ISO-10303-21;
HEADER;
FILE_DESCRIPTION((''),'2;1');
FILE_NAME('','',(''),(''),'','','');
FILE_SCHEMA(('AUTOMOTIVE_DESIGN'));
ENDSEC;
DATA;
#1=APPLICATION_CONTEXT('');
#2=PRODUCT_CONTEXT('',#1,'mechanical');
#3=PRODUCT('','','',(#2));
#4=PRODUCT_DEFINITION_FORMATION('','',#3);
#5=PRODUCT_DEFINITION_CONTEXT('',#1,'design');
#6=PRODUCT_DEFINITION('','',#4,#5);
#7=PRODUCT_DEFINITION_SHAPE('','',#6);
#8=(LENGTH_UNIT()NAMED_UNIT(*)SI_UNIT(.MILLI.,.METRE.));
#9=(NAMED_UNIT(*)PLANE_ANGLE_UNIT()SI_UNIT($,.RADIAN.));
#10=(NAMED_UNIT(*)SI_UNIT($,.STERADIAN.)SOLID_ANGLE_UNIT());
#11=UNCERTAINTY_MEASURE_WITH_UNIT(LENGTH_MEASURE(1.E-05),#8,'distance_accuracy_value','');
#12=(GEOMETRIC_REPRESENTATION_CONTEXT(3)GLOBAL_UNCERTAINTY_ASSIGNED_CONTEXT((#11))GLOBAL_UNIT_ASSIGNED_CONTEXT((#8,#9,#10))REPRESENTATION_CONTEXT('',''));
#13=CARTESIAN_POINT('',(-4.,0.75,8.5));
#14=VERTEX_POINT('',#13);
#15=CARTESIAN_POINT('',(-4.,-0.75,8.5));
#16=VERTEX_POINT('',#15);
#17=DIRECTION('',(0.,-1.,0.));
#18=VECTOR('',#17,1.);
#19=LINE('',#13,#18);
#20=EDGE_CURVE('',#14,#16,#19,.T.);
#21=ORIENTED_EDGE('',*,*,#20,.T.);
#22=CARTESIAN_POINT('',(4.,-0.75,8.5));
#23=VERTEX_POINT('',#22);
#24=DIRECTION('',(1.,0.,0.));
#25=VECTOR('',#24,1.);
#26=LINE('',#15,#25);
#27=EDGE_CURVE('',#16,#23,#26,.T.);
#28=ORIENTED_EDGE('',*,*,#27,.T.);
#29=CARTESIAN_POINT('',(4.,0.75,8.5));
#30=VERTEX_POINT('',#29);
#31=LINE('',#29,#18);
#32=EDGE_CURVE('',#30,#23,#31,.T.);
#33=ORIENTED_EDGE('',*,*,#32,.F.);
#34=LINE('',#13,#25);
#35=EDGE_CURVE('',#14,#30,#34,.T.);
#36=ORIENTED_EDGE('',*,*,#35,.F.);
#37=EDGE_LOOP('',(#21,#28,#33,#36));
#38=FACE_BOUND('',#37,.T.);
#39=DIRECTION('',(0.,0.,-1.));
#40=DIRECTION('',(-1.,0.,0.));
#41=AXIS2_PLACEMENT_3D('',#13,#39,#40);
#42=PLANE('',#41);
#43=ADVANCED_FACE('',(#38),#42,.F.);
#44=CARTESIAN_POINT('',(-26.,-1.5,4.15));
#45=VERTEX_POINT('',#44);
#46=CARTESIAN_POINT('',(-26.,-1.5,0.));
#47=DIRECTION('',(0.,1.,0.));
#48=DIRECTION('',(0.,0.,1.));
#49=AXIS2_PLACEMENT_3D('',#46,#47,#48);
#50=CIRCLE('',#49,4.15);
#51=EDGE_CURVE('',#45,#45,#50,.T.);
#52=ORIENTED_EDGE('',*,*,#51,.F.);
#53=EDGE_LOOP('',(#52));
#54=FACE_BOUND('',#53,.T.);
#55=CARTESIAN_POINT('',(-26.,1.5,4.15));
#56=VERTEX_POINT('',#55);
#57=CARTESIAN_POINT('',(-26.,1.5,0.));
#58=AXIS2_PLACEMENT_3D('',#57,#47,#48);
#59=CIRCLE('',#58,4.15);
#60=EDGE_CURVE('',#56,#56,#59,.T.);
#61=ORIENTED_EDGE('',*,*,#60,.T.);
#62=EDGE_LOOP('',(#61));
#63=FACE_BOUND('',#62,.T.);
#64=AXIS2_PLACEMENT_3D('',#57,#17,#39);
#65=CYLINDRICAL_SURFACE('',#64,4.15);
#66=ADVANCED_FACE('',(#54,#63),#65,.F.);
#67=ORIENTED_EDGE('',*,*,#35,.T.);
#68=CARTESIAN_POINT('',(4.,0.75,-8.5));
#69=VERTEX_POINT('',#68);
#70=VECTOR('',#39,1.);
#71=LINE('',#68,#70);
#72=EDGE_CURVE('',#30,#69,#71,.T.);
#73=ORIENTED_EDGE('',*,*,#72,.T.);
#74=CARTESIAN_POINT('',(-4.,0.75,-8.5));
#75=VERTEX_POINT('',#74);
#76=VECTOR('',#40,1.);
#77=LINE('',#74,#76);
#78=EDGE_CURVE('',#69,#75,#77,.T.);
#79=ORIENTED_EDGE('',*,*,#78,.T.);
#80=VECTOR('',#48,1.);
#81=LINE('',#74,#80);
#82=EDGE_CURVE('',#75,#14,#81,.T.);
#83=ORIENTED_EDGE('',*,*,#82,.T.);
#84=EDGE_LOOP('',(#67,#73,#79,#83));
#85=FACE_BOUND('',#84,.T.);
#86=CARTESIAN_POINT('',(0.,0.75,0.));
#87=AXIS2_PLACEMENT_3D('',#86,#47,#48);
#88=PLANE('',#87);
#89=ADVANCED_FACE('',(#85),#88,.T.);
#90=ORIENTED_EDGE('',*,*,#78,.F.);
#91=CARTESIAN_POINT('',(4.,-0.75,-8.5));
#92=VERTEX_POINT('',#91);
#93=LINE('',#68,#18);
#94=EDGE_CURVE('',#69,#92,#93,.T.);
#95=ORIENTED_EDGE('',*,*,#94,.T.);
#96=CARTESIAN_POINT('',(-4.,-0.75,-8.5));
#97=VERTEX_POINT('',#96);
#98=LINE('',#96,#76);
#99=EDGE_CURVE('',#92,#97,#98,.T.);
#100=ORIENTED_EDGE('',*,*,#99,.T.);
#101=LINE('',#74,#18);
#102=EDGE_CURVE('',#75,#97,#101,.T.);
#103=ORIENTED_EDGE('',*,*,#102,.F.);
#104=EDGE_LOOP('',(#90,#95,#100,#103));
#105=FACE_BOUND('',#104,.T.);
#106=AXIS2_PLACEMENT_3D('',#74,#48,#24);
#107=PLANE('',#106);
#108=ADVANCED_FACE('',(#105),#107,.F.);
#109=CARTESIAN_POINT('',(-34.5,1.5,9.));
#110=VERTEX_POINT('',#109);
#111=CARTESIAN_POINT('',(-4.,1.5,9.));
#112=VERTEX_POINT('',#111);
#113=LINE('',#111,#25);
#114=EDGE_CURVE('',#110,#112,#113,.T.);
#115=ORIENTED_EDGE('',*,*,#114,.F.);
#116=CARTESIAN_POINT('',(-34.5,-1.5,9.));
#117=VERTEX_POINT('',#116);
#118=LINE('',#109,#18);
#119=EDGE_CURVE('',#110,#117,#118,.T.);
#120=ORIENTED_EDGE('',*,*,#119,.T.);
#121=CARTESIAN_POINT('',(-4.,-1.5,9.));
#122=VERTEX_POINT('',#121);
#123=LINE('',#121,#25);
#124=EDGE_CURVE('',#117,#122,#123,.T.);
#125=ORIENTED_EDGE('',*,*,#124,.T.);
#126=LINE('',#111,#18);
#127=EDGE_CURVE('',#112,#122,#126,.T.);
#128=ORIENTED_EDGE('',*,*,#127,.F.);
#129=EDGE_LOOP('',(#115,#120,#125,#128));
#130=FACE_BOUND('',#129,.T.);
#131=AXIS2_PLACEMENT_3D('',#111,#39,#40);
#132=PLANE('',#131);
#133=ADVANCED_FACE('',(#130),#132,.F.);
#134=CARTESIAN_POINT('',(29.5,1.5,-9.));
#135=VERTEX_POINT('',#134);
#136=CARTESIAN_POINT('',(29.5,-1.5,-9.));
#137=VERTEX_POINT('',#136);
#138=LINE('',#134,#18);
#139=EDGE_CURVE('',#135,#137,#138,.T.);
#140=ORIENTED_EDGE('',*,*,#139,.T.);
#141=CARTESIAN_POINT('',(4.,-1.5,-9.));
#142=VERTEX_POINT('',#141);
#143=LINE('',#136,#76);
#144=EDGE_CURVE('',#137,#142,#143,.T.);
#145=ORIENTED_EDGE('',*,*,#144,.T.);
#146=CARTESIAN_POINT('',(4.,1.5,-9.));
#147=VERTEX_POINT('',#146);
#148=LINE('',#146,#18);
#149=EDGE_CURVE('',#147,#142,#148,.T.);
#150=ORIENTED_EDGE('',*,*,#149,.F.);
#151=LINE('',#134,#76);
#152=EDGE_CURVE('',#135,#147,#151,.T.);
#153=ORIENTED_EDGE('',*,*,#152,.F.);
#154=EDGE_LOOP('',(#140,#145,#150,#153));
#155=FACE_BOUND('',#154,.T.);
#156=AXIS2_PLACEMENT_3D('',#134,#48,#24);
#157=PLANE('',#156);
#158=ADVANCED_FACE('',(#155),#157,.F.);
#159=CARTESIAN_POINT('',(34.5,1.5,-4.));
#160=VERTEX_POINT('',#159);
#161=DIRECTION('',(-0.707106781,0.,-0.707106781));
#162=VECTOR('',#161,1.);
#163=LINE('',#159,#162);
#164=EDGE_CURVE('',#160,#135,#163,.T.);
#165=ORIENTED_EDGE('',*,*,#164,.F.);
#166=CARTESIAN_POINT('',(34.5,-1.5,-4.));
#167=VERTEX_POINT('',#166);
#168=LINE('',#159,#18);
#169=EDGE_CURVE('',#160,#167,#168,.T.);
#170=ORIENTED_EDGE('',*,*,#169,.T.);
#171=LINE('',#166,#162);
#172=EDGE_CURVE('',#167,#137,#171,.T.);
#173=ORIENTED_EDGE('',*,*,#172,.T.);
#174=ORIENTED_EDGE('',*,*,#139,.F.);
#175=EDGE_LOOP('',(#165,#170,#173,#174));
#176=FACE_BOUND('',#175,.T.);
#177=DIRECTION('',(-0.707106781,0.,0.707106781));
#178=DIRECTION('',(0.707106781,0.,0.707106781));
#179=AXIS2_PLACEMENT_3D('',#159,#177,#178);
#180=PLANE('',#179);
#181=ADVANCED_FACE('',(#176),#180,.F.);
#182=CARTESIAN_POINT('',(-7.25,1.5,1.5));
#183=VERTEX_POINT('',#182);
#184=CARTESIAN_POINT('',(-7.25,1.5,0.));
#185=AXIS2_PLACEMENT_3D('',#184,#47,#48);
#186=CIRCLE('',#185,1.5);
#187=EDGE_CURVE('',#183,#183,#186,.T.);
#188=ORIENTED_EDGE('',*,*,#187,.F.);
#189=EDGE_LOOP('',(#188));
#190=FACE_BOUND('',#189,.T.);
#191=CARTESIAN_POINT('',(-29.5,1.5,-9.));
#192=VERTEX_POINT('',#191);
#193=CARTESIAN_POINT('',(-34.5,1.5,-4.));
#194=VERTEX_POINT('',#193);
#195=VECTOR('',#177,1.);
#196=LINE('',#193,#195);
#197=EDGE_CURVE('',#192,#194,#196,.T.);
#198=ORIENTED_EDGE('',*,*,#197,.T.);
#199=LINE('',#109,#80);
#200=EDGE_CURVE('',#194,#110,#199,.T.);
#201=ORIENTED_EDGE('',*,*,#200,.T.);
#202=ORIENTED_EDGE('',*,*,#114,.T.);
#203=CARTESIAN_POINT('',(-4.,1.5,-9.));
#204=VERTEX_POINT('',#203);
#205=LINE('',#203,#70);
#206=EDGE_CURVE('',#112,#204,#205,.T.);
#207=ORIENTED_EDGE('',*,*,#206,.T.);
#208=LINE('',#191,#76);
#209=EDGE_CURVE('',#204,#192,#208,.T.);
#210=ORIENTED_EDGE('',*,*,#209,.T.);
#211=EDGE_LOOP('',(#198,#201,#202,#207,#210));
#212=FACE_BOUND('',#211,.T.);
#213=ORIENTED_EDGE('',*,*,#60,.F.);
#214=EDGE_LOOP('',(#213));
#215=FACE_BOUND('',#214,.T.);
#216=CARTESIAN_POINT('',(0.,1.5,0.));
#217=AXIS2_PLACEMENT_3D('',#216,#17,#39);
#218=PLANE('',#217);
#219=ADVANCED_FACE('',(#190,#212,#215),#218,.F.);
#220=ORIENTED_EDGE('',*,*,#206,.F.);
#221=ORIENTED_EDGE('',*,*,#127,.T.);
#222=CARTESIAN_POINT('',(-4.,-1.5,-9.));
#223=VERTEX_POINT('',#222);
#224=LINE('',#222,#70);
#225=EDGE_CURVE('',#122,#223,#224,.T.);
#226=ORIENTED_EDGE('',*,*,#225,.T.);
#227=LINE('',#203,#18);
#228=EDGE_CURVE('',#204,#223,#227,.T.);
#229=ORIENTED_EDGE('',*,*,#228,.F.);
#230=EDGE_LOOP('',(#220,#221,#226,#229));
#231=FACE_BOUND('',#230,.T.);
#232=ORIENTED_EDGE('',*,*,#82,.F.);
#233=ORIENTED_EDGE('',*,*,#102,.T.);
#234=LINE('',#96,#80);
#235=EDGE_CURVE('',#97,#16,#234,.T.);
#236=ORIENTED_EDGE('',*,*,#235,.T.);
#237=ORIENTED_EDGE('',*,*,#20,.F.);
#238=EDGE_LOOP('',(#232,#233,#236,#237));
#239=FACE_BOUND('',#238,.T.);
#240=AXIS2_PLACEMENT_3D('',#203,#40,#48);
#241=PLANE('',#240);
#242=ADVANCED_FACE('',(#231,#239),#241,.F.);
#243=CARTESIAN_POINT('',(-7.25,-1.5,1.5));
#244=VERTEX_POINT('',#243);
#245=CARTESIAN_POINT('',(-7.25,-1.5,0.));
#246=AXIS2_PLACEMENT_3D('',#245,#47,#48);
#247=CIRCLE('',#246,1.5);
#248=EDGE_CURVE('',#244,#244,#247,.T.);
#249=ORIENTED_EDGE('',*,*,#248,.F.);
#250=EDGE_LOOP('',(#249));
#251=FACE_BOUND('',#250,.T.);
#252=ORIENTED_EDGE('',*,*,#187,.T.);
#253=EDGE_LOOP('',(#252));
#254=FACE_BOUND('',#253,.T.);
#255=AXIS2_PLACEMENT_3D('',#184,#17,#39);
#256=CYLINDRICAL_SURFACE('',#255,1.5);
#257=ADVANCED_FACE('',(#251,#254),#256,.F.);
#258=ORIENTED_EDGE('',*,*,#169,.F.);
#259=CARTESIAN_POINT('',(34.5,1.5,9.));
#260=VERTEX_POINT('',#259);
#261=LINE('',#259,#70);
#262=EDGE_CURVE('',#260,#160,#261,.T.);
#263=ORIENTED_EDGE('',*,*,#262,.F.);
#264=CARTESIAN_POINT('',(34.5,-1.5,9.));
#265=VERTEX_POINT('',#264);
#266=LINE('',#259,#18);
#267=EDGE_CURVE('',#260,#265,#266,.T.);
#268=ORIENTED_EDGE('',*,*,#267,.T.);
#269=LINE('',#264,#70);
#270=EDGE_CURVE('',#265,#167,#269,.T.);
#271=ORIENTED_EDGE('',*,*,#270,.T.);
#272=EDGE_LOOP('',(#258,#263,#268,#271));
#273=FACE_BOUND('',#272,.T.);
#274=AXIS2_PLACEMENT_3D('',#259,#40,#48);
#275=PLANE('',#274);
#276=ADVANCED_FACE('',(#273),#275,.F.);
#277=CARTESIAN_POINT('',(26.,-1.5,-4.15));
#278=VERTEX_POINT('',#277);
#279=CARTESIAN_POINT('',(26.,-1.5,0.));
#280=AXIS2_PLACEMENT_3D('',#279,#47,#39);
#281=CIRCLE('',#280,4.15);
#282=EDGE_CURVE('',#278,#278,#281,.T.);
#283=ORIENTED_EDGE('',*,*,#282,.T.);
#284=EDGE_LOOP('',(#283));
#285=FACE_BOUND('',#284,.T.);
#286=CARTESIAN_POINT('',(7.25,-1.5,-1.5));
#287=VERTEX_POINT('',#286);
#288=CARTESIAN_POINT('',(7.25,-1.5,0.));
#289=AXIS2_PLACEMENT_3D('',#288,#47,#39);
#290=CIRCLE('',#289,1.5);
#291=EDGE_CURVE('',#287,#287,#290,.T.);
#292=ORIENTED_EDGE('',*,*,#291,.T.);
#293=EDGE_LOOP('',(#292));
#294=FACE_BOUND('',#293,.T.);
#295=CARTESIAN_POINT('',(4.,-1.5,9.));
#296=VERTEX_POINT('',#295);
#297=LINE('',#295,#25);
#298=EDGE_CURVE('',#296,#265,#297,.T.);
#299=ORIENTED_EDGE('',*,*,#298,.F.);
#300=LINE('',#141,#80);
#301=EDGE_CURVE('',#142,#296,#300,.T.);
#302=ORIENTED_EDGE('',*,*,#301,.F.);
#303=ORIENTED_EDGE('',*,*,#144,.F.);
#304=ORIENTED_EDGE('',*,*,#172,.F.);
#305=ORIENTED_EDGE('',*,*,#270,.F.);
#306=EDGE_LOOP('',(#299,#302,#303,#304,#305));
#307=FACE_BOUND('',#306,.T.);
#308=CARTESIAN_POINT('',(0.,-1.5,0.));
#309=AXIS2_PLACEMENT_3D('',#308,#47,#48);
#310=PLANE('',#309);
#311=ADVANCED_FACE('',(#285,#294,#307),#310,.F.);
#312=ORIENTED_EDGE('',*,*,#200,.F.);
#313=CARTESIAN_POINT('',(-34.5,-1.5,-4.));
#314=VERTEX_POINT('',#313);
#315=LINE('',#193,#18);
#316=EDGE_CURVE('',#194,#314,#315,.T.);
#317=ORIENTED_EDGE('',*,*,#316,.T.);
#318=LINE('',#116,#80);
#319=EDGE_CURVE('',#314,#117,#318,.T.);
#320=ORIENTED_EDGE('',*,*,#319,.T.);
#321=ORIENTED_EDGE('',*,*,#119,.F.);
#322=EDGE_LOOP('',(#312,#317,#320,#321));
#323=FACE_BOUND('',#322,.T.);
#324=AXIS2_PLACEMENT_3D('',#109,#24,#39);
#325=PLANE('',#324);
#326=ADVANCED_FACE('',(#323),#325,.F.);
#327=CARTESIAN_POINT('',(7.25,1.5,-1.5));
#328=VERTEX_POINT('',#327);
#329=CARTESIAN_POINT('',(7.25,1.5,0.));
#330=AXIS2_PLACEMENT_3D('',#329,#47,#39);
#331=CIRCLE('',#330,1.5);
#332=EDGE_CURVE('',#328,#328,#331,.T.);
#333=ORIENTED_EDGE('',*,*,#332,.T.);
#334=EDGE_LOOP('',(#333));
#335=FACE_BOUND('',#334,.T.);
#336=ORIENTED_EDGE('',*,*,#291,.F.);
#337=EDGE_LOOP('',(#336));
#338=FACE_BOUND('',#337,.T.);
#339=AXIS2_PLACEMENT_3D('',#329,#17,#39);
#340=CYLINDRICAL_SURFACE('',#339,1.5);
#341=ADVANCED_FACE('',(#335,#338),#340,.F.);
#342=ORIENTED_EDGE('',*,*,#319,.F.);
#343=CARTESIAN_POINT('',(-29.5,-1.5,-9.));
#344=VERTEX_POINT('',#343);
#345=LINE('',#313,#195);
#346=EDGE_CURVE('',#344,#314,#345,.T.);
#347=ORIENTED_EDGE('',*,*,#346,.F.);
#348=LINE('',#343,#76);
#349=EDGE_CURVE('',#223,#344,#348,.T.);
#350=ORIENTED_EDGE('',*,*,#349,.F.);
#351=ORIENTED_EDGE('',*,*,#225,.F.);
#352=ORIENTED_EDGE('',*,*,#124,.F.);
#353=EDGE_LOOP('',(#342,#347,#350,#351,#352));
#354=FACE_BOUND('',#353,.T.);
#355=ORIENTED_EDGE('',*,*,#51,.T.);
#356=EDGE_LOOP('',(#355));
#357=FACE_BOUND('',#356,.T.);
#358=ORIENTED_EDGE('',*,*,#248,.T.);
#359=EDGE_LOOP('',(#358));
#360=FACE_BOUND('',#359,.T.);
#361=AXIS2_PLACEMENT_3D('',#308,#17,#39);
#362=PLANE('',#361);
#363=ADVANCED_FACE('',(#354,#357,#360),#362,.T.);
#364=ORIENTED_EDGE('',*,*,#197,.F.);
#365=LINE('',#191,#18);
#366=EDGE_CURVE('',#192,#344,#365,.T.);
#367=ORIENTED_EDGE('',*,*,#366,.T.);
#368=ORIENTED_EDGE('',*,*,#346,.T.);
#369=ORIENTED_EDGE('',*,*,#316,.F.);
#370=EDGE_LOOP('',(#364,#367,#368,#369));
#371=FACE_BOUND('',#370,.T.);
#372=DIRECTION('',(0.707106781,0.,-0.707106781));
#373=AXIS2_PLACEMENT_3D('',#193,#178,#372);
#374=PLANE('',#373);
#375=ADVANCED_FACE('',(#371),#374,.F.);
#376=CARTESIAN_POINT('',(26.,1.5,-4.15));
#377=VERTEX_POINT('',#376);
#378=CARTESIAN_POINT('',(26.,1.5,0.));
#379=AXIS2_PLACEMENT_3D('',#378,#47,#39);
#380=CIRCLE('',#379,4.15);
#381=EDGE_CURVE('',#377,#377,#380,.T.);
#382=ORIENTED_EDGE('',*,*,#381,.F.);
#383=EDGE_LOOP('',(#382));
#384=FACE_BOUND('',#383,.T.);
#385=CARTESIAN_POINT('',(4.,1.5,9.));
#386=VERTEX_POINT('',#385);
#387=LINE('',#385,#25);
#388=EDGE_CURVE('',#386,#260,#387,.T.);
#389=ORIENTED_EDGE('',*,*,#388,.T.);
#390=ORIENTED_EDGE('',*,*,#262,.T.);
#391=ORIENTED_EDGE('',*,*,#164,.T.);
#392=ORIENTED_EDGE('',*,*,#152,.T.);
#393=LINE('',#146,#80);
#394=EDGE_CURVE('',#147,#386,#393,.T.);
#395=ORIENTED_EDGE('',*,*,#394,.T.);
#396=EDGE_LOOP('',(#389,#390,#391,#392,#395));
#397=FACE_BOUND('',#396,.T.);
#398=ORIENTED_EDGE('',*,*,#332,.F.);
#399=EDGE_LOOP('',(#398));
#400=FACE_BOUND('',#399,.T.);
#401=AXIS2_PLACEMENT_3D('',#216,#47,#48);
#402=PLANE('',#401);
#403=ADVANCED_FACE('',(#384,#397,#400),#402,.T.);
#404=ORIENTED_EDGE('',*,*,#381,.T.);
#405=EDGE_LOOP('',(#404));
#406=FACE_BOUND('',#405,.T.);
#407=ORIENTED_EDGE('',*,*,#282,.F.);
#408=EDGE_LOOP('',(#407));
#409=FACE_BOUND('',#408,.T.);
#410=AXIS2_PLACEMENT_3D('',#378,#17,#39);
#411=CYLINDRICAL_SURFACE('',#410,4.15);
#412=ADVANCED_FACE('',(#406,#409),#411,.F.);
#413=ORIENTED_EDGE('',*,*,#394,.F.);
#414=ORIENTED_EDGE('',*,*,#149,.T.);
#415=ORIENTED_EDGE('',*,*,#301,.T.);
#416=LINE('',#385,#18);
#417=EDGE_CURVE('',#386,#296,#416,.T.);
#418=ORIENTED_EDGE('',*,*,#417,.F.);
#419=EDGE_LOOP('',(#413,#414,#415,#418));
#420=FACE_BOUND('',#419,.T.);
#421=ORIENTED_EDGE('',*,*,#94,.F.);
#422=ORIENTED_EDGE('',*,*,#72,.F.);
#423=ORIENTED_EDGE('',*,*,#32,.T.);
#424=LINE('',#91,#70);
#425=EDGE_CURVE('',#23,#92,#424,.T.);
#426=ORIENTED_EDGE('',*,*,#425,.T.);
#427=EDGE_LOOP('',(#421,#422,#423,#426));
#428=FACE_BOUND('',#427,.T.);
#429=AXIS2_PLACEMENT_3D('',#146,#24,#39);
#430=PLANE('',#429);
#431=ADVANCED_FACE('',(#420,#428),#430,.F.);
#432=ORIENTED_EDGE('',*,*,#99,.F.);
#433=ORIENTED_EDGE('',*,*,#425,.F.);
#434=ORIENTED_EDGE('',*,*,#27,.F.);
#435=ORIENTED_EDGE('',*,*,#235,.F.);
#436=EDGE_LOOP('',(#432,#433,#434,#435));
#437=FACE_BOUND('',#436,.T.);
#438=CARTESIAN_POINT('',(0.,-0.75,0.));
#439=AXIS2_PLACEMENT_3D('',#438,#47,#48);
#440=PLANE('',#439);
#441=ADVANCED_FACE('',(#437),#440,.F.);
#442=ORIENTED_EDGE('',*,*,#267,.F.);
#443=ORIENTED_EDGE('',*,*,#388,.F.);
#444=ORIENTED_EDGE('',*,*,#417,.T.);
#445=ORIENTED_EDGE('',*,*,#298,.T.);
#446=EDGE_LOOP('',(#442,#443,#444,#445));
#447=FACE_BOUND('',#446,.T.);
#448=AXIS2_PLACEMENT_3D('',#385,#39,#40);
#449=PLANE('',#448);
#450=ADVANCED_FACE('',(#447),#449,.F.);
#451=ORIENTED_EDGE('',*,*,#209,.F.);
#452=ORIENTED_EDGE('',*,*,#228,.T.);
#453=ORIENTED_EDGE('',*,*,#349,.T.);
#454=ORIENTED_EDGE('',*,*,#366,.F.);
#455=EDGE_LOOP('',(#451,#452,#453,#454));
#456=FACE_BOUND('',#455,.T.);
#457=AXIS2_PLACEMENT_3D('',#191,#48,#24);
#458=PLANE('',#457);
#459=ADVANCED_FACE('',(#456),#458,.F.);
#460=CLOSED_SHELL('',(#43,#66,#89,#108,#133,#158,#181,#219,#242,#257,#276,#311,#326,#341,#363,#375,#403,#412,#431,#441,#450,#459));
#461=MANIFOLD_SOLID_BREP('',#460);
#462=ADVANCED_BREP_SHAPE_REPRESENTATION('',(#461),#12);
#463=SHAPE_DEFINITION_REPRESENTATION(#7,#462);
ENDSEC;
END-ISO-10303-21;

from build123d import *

# Parameters (mm, degrees)
SKETCH1_R             = 4.15
SKETCH1_R_2           = 1.5
BOSS_EXTRUDE1_DEPTH   = 1.5
BOSS_EXTRUDE1_2_DEPTH = 1.5
SKETCH2_W             = 8
SKETCH2_H             = 17
BOSS_EXTRUDE2_DEPTH   = 0.75


with BuildPart() as part:
    # Sketch1 → Boss-Extrude1 (new, symmetric)
    with BuildSketch(Plane(origin=(0, 0, 0), x_dir=(1, 0, 0), z_dir=(0, 1, 0))):
        Polygon((-4, -9), (-34.5, -9), (-34.5, 4), (-29.5, 9), (-4, 9), align=None)
        with Locations(Location((-26, 0, 0), (0, 0, 270))):
            Circle(SKETCH1_R, mode=Mode.SUBTRACT)
        with Locations(Location((-7.25, 0, 0), (0, 0, 270))):
            Circle(SKETCH1_R_2, mode=Mode.SUBTRACT)
    extrude(amount=BOSS_EXTRUDE1_DEPTH, both=True)



with BuildPart() as body_2:
    # Sketch1 → Boss-Extrude1 2 (new, symmetric)
    with BuildSketch(Plane(origin=(0, 0, 0), x_dir=(1, 0, 0), z_dir=(0, 1, 0))):
        Polygon((4, 9), (4, -9), (34.5, -9), (34.5, 4), (29.5, 9), align=None)
        with Locations(Location((7.25, 0, 0), (0, 0, 90))):
            Circle(SKETCH1_R_2, mode=Mode.SUBTRACT)
        with Locations(Location((26, 0, 0), (0, 0, 90))):
            Circle(SKETCH1_R, mode=Mode.SUBTRACT)
    extrude(amount=BOSS_EXTRUDE1_2_DEPTH, both=True)


with BuildPart() as part_1:
    add(part.part)

    add(body_2.part)  # Boss-Extrude2 merges body 2
    # Sketch2 → Boss-Extrude2 (add, symmetric)
    with BuildSketch(Plane(origin=(0, 0, 0), x_dir=(1, 0, 0), z_dir=(0, 1, 0))):
        Rectangle(SKETCH2_W, SKETCH2_H)
    extrude(amount=BOSS_EXTRUDE2_DEPTH, both=True)


solid = part_1.part
